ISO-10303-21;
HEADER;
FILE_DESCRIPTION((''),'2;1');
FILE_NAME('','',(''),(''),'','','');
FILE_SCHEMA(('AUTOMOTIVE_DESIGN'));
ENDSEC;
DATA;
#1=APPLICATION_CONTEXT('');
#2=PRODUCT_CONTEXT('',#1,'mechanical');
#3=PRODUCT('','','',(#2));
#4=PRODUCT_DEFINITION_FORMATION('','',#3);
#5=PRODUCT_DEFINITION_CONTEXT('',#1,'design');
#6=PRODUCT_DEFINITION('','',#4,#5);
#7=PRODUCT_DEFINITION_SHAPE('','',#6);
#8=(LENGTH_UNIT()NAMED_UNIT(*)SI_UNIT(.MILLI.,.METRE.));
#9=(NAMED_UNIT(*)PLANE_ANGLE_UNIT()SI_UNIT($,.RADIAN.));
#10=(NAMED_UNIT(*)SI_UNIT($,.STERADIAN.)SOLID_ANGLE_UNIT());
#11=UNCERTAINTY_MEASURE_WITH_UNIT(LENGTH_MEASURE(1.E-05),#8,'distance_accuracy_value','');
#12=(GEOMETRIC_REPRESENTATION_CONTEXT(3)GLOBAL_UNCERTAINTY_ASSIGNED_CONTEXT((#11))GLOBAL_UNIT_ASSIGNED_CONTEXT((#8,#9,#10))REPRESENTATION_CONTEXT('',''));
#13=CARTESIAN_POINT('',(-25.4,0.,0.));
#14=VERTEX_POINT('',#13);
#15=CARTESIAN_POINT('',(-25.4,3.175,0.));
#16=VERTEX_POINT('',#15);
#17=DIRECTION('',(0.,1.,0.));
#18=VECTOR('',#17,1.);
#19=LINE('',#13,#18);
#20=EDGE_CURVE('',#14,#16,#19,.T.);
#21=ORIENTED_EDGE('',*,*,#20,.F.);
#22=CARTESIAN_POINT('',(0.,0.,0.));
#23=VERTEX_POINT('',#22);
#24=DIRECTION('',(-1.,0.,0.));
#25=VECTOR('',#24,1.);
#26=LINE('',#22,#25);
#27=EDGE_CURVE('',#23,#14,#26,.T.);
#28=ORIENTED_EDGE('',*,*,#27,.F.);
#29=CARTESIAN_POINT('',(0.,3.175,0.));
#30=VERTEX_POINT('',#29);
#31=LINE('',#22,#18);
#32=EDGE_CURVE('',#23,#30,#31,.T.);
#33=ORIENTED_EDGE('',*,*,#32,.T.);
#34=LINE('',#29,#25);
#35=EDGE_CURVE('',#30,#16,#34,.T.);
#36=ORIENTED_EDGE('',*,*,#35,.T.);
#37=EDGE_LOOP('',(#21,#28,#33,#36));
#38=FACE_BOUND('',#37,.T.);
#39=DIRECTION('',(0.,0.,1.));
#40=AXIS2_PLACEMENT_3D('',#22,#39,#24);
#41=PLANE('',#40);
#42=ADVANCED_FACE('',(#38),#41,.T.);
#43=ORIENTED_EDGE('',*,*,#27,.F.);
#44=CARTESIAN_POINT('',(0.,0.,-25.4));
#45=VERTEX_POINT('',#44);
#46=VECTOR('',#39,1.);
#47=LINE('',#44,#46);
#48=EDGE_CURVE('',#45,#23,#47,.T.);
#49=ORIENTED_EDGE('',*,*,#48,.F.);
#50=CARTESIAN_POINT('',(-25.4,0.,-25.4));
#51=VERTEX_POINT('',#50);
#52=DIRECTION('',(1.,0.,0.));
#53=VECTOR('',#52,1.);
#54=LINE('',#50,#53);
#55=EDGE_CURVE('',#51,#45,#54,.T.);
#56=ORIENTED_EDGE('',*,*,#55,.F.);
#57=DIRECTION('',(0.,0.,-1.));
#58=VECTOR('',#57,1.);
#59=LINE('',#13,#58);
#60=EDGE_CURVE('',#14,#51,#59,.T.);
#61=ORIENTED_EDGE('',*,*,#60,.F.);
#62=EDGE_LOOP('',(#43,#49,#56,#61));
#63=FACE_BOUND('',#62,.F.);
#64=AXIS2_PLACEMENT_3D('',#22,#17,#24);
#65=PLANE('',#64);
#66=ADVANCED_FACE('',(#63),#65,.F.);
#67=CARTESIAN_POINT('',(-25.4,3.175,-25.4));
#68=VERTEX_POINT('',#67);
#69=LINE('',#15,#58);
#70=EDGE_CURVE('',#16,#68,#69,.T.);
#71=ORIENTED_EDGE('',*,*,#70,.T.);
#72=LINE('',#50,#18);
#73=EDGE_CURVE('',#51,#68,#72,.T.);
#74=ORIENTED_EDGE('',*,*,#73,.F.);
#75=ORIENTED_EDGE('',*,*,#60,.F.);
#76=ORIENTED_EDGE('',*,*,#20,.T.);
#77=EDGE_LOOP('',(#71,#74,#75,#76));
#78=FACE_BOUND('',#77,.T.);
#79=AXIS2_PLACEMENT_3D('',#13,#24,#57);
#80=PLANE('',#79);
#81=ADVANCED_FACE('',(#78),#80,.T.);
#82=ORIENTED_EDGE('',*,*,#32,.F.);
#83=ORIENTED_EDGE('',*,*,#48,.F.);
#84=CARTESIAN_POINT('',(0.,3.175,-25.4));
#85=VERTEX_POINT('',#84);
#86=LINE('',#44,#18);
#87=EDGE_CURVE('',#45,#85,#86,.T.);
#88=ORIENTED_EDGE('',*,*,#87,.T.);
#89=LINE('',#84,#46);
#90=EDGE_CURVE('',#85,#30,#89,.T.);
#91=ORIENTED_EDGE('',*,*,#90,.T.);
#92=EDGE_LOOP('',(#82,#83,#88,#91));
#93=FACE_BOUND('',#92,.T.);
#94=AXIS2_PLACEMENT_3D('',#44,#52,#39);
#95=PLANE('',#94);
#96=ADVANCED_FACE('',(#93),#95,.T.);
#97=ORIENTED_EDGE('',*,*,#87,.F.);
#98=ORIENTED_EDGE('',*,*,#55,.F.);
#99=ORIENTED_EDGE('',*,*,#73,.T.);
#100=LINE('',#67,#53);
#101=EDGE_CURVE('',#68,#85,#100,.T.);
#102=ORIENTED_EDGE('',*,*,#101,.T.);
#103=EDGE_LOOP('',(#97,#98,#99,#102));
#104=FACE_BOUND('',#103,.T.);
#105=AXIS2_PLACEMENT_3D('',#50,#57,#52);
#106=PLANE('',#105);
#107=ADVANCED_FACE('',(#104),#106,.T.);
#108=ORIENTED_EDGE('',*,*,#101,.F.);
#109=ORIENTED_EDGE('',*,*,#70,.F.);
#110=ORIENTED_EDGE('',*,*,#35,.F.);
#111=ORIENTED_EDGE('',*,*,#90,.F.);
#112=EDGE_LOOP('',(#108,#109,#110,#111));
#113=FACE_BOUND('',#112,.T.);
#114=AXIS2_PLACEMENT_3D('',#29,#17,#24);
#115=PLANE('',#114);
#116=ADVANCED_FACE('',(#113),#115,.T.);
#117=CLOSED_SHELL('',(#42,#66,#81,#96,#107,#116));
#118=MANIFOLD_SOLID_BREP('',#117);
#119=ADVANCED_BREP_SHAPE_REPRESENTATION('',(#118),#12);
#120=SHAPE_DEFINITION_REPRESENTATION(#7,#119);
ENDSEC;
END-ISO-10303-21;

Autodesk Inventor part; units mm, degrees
ref_plane "YZ Plane" through (0, 0, 0) normal (1, 0, 0) x (0, 1, 0)
ref_plane "XZ Plane" through (0, 0, 0) normal (0, 1, 0) x (-1, 0, 0)
ref_plane "XY Plane" through (0, 0, 0) normal (0, 0, 1) x (1, 0, 0)
sketch "Sketch1" plane through (0, 0, 0) normal (0, 1, 0) x (-1, 0, 0)
  line L0 (0, 0) -> (25.4, 0)
  line L1 (25.4, 0) -> (25.4, -25.4)
  line L2 (25.4, -25.4) -> (0, -25.4)
  line L3 (0, -25.4) -> (0, 0)
  dimension "d0" = 25.4
  dimension "d1" = 25.4
extrude "Extrusion1" add sketch "Sketch1" along normal blind 3.175
properties part number "Magnet"
